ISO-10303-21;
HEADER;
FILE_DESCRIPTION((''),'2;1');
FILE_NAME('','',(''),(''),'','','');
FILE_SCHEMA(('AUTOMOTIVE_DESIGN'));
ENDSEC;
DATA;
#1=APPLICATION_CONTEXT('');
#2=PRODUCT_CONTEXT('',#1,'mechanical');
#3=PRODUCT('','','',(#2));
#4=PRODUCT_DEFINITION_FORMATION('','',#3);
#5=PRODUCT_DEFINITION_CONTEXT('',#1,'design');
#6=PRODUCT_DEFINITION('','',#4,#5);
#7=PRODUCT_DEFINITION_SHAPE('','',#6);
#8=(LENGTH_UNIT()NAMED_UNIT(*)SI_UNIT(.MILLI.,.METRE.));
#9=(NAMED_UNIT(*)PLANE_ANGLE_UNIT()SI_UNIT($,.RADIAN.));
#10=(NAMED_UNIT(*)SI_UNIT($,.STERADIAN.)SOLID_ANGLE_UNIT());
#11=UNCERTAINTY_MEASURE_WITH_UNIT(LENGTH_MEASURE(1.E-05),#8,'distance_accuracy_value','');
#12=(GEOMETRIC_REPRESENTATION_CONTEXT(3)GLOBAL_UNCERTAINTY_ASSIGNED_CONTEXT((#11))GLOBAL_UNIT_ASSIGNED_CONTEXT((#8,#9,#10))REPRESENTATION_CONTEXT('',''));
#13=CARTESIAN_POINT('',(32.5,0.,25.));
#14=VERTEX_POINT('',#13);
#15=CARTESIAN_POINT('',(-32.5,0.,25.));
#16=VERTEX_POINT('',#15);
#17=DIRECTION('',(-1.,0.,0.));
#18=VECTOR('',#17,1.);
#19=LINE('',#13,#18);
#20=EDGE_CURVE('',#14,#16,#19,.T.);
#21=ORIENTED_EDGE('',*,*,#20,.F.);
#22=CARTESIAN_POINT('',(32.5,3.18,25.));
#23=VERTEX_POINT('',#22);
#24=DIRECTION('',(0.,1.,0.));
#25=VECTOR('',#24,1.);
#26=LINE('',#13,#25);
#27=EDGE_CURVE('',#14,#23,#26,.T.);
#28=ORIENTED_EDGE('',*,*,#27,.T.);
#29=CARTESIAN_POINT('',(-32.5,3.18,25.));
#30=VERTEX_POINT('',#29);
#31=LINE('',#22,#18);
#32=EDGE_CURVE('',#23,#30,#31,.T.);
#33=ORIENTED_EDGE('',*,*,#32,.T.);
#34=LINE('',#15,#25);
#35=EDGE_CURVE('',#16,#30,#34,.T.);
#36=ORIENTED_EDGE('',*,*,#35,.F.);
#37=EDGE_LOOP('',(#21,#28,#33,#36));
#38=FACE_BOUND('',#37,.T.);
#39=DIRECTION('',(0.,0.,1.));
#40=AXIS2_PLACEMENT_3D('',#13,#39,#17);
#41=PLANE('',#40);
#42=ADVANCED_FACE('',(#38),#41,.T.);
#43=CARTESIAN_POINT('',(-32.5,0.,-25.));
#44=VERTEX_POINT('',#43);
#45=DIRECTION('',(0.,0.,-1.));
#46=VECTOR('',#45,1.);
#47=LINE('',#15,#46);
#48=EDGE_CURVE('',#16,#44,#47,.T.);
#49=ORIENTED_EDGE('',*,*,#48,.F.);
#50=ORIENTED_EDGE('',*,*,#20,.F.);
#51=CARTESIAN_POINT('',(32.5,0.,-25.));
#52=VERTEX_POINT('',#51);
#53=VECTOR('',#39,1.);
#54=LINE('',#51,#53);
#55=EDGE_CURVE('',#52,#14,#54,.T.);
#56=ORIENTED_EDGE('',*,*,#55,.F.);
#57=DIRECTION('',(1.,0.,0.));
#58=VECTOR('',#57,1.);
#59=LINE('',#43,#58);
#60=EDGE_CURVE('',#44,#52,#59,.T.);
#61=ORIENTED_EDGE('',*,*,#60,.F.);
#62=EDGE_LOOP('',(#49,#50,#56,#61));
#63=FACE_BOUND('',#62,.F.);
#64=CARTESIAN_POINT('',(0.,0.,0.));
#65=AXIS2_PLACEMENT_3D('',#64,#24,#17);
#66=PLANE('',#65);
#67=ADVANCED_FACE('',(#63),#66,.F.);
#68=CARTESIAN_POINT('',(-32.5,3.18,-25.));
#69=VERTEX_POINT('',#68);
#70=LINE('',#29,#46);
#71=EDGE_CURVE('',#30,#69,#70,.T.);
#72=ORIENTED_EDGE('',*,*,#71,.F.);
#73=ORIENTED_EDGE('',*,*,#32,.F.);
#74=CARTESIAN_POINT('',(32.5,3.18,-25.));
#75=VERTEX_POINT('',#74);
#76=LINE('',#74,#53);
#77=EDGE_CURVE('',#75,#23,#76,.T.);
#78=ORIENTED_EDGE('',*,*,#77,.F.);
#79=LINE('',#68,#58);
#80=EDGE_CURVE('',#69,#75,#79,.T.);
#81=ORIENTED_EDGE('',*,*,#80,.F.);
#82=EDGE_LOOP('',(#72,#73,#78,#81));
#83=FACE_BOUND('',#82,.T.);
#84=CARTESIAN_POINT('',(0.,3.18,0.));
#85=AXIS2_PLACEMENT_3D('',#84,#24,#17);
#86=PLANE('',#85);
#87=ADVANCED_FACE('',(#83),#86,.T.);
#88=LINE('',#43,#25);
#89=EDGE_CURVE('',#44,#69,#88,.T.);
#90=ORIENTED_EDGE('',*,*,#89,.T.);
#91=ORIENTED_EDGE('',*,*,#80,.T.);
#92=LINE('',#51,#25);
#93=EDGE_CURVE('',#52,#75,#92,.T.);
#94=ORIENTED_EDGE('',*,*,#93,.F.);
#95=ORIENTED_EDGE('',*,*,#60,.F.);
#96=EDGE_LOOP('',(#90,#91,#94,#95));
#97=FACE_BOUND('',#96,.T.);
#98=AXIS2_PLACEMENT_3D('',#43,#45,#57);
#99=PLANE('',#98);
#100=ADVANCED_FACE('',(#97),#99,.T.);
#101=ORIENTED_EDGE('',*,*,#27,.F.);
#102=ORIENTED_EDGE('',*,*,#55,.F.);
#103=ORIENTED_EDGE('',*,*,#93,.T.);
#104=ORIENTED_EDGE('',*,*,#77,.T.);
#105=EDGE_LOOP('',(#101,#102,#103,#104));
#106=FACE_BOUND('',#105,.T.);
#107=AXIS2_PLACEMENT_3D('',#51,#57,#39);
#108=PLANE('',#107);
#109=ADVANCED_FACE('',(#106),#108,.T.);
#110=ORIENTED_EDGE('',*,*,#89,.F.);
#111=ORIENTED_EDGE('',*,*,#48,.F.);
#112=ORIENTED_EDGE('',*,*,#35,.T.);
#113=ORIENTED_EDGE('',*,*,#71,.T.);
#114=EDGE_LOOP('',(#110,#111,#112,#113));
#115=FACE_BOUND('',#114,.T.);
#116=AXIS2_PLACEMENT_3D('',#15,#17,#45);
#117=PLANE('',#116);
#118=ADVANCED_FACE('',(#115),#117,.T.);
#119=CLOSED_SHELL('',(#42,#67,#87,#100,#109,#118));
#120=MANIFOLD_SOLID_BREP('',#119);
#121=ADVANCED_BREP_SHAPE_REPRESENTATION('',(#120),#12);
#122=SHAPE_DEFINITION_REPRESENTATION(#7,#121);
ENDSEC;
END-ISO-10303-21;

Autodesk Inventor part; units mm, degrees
ref_plane "YZ Plane" through (0, 0, 0) normal (1, 0, 0) x (0, 1, 0)
ref_plane "XZ Plane" through (0, 0, 0) normal (0, 1, 0) x (-1, 0, 0)
ref_plane "XY Plane" through (0, 0, 0) normal (0, 0, 1) x (1, 0, 0)
sketch "Sketch1" plane through (0, 0, 0) normal (0, 1, 0) x (-1, 0, 0)
  line L0 (-32.5, 25) -> (32.5, 25)
  line L1 (32.5, 25) -> (32.5, -25)
  line L2 (32.5, -25) -> (-32.5, -25)
  line L3 (-32.5, -25) -> (-32.5, 25)
  line L4 (-32.5, 25) -> (32.5, -25) construction
  line L5 (32.5, 25) -> (-32.5, -25) construction
  point P0 (0, 0)
  dimension "d0" = 65
  dimension "d1" = 50
extrude "Extrusion1" add sketch "Sketch1" along normal blind 3.18
properties part number "Hombro_tapas"
